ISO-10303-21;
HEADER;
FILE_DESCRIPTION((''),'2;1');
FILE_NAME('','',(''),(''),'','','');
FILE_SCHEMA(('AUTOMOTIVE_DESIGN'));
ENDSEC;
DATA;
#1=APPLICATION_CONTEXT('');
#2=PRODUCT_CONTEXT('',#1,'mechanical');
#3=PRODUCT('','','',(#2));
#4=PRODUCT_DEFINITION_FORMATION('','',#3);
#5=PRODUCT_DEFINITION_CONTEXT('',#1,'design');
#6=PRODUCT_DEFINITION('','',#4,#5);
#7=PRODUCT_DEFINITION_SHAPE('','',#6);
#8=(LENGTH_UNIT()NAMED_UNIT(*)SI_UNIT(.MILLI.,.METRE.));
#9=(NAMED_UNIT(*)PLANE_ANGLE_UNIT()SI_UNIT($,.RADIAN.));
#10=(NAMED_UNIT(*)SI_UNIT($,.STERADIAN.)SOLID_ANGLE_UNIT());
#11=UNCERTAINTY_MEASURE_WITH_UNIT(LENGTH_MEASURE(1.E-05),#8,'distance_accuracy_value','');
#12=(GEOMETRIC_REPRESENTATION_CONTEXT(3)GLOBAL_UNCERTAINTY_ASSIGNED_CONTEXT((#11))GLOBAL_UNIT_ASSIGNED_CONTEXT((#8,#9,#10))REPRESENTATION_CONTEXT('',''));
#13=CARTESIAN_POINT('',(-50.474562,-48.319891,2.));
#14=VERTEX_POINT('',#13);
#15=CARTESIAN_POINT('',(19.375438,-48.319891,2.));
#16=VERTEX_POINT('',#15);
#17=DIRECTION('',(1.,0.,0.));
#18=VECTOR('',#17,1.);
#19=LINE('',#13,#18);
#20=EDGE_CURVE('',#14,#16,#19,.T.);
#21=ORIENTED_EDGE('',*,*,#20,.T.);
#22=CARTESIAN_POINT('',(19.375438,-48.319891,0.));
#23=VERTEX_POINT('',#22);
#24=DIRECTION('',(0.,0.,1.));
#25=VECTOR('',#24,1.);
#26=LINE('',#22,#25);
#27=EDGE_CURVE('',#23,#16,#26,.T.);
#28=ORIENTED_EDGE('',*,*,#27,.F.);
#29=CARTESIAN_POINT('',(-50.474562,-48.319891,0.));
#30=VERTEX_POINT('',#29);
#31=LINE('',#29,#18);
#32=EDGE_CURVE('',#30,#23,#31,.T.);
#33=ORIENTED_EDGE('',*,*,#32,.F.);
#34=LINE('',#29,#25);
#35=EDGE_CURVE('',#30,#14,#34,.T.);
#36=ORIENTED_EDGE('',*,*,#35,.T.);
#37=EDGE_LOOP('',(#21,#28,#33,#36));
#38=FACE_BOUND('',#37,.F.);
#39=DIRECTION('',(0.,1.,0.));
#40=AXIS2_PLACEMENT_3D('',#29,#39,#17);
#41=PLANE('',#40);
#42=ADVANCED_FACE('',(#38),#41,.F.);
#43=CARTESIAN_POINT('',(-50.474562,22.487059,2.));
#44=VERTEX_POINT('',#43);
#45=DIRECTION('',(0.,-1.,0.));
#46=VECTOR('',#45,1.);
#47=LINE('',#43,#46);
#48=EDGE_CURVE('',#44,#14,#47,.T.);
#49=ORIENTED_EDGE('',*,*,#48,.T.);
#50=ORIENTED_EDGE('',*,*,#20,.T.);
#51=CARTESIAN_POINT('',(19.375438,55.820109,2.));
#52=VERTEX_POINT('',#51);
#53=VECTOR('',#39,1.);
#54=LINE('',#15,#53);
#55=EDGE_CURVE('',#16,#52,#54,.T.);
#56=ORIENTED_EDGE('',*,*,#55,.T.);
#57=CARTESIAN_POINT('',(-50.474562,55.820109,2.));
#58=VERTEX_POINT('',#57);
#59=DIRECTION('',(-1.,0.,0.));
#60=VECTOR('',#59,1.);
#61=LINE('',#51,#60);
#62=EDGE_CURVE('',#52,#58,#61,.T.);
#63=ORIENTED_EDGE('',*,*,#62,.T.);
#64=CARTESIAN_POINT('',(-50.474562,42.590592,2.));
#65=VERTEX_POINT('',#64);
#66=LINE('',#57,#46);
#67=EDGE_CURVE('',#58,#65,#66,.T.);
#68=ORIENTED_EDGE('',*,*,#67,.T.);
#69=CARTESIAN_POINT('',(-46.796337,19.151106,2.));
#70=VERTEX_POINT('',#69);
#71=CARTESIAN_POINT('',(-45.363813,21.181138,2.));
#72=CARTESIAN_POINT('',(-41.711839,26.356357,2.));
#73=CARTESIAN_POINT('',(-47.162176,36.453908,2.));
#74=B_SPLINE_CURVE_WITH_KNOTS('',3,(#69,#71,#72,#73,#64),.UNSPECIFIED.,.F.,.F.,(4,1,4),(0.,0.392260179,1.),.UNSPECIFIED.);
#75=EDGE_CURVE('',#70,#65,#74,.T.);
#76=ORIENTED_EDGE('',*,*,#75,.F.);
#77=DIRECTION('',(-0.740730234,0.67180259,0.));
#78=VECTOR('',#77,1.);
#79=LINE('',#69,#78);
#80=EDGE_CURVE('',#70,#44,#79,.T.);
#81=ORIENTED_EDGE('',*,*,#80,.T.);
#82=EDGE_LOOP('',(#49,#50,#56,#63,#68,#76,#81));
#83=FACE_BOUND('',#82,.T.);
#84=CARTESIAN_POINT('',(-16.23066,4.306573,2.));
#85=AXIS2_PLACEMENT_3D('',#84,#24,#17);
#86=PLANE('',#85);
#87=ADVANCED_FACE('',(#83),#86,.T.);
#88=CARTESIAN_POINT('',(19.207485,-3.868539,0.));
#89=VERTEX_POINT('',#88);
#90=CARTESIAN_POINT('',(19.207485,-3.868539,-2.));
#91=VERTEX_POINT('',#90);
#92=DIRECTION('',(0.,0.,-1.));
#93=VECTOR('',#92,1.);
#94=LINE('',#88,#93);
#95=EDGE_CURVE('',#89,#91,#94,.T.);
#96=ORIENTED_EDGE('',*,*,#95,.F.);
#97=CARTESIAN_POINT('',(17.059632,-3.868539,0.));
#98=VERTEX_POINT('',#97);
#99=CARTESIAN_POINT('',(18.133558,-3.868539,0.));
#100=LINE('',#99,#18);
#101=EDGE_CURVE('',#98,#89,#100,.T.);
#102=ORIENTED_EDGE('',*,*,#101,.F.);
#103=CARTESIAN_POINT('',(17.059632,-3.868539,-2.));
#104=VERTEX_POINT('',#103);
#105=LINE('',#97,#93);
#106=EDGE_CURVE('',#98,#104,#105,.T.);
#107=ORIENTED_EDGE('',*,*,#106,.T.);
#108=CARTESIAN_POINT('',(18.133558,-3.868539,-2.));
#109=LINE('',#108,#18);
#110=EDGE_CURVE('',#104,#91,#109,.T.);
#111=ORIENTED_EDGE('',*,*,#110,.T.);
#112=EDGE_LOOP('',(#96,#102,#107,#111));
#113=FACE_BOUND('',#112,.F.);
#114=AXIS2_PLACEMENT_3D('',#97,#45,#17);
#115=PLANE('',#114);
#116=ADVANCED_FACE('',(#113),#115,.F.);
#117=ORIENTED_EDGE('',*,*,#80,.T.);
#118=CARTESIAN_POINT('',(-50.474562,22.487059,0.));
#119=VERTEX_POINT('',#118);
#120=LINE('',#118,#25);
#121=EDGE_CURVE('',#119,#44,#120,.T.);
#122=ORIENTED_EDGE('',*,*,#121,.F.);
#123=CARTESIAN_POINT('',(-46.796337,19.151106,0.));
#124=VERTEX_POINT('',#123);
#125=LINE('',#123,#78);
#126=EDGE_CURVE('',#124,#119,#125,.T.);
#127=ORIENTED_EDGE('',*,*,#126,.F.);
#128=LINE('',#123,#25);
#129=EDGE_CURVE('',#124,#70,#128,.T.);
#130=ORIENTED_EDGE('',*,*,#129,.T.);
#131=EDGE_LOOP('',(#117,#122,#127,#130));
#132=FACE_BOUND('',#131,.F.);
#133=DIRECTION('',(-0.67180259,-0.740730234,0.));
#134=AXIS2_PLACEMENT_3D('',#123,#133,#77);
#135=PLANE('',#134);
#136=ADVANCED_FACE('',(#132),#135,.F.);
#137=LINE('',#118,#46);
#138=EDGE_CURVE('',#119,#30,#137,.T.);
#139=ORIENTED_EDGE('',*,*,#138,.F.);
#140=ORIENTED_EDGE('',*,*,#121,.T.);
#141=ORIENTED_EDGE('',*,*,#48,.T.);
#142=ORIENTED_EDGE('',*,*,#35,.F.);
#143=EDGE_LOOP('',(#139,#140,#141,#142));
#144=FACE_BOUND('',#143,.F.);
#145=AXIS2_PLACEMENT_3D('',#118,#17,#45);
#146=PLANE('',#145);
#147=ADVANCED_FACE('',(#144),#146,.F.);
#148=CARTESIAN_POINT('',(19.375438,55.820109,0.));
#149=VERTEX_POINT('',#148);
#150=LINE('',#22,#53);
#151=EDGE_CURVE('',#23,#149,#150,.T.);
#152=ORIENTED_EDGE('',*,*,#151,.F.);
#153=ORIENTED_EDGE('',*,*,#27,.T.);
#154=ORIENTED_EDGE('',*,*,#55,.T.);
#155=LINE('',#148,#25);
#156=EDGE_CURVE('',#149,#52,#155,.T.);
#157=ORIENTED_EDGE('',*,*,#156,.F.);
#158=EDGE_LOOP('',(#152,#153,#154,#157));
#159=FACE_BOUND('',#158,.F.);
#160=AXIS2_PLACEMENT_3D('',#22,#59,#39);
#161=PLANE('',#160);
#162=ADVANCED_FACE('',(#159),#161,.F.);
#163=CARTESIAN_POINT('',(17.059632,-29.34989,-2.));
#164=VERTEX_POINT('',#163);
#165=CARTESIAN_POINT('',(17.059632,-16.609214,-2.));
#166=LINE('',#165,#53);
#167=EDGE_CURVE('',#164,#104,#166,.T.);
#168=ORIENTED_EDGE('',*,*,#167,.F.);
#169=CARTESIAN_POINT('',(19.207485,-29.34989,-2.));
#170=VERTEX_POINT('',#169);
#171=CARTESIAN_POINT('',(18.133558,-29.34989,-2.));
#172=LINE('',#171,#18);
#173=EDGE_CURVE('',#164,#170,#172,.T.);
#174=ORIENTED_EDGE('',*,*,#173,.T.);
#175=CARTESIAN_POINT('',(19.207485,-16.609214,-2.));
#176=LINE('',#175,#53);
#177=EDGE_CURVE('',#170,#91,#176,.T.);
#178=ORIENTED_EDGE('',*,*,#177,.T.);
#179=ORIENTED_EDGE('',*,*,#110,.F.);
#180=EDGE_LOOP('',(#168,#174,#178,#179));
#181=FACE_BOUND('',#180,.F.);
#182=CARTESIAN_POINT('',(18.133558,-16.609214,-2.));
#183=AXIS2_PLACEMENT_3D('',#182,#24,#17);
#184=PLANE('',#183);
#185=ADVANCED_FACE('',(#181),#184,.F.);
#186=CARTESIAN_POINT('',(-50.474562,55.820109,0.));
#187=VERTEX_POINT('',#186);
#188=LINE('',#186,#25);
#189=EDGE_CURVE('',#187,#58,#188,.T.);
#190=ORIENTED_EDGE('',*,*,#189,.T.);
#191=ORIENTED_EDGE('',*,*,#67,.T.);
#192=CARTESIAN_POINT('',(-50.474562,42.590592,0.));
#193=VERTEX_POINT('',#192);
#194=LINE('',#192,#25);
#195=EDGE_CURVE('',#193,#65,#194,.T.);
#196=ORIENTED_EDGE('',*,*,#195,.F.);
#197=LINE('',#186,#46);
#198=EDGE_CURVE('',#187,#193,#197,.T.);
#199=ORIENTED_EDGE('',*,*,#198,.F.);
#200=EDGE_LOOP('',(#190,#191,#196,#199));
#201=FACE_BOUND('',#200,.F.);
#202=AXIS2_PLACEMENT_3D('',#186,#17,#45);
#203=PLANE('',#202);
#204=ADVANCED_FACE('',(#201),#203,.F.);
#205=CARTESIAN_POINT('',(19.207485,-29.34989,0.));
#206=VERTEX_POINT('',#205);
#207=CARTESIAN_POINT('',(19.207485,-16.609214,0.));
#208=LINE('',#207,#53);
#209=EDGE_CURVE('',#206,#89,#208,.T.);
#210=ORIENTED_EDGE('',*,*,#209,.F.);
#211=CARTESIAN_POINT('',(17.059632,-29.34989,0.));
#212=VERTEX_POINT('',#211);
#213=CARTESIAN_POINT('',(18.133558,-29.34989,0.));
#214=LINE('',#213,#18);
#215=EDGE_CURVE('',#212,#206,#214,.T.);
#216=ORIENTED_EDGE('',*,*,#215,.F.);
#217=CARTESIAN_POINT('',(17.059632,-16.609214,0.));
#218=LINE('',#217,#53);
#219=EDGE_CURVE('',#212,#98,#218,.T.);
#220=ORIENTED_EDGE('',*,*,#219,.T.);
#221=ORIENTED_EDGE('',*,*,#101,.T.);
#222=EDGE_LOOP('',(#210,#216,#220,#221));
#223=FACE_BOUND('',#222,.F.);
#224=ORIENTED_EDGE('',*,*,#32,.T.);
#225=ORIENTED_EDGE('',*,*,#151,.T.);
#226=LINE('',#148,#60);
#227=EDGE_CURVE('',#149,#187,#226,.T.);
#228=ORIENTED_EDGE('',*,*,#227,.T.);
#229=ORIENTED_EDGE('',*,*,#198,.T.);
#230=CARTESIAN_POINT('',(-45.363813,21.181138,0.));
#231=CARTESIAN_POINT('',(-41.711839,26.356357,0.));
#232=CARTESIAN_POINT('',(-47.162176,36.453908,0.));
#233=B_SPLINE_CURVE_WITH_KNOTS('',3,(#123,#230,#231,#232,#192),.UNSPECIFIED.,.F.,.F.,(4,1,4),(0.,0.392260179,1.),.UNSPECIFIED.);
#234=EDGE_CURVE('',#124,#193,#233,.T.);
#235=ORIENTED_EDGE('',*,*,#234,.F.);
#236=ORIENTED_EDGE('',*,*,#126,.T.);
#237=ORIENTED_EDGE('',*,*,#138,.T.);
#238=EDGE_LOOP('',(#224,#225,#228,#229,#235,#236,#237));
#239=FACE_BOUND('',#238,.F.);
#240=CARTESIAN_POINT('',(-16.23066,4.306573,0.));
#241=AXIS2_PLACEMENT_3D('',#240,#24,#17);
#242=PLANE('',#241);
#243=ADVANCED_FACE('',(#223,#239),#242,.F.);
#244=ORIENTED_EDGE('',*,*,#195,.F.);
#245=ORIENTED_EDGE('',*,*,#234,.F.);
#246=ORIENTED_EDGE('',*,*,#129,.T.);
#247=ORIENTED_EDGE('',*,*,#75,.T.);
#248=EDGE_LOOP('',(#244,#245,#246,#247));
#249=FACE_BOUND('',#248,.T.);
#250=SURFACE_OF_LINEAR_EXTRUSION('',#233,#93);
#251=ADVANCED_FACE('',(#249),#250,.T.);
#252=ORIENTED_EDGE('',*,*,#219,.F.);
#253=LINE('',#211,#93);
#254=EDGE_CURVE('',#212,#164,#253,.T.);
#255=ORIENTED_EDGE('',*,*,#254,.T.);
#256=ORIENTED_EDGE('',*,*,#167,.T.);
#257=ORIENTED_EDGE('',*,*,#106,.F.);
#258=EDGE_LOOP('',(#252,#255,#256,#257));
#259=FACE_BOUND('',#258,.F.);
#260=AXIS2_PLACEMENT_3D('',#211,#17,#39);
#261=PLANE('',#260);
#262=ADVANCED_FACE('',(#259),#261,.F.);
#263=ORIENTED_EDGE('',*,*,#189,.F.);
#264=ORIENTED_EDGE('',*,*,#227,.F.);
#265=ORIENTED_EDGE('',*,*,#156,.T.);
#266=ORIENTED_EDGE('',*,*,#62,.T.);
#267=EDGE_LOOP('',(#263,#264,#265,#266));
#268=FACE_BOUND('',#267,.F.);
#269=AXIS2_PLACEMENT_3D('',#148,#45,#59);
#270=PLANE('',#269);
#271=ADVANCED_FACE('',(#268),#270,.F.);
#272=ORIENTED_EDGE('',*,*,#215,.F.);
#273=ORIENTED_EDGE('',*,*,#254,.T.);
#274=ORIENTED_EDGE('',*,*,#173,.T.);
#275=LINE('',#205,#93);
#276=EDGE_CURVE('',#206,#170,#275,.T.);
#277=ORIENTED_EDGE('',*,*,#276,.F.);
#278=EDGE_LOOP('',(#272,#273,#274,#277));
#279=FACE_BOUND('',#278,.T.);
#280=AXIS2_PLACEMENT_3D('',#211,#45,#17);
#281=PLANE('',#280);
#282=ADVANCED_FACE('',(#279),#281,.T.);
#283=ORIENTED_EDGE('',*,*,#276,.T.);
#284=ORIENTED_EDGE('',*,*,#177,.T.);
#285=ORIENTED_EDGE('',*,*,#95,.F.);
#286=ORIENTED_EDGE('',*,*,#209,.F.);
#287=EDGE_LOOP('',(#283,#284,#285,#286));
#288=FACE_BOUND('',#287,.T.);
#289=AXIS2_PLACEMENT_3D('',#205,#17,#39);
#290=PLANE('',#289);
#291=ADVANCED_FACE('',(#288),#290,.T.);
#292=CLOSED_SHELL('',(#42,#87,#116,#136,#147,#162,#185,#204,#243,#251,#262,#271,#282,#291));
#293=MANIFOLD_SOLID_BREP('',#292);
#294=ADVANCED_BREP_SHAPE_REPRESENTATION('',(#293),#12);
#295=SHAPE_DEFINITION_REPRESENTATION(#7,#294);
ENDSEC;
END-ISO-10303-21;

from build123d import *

# Parameters (mm, degrees)
F1_DEPTH = 2
F2_W     = 2.1478533745
F2_H     = 25.4813507199
F3_DEPTH = 2


with BuildPart() as f1:
    # F0 (on Top) → F1 (new body)
    with BuildSketch(Plane.XY):
        with BuildLine():
            Line((-50.4745617509, 15.1801089048), (-50.4745617509, -3.8698910952))
            Line((-50.4745617509, -3.8698910952), (-50.4745617509, -29.2698910952))
            Line((-50.4745617509, -29.2698910952), (-50.4745617509, -48.3198910952))
            Line((-50.4745617509, -48.3198910952), (-28.2495617509, -48.3198910952))
            Line((-28.2495617509, -48.3198910952), (-2.8495617509, -48.3198910952))
            Line((-2.8495617509, -48.3198910952), (19.3754382491, -48.3198910952))
            Line((19.3754382491, -48.3198910952), (19.3754382491, -29.2698910952))
            Line((19.3754382491, -29.2698910952), (19.3754382491, -3.8698910952))
            Line((19.3754382491, -3.8698910952), (19.3754382491, 15.1801089048))
            Line((19.3754382491, 15.1801089048), (19.3754382491, 55.8201089048))
            Line((19.3754382491, 55.8201089048), (-50.4745617509, 55.8201089048))
            Line((-50.4745617509, 55.8201089048), (-50.4745617509, 42.5905920565))
            add(Edge.make_bspline(
                [(-46.7963367701, 19.1511064768), (-45.3638130005, 21.1811384078), (-41.711839481, 26.3563570482), (-47.1621757409, 36.4539075513), (-50.4745617509, 42.5905920565)],
                knots=[0, 0, 0, 0, 0.3922601785, 1, 1, 1, 1], degree=3))
            Line((-46.7963367701, 19.1511064768), (-50.4745617509, 22.4870592356))
            Line((-50.4745617509, 22.4870592356), (-50.4745617509, 15.1801089048))
        make_face()
    extrude(amount=F1_DEPTH)

    # F2 (on Top) → F3 (join)
    with BuildSketch(Plane.XY):
        with Locations((18.1335583329, -16.6092142463)):
            Rectangle(F2_W, F2_H)
    extrude(amount=-F3_DEPTH)


solid = f1.part
